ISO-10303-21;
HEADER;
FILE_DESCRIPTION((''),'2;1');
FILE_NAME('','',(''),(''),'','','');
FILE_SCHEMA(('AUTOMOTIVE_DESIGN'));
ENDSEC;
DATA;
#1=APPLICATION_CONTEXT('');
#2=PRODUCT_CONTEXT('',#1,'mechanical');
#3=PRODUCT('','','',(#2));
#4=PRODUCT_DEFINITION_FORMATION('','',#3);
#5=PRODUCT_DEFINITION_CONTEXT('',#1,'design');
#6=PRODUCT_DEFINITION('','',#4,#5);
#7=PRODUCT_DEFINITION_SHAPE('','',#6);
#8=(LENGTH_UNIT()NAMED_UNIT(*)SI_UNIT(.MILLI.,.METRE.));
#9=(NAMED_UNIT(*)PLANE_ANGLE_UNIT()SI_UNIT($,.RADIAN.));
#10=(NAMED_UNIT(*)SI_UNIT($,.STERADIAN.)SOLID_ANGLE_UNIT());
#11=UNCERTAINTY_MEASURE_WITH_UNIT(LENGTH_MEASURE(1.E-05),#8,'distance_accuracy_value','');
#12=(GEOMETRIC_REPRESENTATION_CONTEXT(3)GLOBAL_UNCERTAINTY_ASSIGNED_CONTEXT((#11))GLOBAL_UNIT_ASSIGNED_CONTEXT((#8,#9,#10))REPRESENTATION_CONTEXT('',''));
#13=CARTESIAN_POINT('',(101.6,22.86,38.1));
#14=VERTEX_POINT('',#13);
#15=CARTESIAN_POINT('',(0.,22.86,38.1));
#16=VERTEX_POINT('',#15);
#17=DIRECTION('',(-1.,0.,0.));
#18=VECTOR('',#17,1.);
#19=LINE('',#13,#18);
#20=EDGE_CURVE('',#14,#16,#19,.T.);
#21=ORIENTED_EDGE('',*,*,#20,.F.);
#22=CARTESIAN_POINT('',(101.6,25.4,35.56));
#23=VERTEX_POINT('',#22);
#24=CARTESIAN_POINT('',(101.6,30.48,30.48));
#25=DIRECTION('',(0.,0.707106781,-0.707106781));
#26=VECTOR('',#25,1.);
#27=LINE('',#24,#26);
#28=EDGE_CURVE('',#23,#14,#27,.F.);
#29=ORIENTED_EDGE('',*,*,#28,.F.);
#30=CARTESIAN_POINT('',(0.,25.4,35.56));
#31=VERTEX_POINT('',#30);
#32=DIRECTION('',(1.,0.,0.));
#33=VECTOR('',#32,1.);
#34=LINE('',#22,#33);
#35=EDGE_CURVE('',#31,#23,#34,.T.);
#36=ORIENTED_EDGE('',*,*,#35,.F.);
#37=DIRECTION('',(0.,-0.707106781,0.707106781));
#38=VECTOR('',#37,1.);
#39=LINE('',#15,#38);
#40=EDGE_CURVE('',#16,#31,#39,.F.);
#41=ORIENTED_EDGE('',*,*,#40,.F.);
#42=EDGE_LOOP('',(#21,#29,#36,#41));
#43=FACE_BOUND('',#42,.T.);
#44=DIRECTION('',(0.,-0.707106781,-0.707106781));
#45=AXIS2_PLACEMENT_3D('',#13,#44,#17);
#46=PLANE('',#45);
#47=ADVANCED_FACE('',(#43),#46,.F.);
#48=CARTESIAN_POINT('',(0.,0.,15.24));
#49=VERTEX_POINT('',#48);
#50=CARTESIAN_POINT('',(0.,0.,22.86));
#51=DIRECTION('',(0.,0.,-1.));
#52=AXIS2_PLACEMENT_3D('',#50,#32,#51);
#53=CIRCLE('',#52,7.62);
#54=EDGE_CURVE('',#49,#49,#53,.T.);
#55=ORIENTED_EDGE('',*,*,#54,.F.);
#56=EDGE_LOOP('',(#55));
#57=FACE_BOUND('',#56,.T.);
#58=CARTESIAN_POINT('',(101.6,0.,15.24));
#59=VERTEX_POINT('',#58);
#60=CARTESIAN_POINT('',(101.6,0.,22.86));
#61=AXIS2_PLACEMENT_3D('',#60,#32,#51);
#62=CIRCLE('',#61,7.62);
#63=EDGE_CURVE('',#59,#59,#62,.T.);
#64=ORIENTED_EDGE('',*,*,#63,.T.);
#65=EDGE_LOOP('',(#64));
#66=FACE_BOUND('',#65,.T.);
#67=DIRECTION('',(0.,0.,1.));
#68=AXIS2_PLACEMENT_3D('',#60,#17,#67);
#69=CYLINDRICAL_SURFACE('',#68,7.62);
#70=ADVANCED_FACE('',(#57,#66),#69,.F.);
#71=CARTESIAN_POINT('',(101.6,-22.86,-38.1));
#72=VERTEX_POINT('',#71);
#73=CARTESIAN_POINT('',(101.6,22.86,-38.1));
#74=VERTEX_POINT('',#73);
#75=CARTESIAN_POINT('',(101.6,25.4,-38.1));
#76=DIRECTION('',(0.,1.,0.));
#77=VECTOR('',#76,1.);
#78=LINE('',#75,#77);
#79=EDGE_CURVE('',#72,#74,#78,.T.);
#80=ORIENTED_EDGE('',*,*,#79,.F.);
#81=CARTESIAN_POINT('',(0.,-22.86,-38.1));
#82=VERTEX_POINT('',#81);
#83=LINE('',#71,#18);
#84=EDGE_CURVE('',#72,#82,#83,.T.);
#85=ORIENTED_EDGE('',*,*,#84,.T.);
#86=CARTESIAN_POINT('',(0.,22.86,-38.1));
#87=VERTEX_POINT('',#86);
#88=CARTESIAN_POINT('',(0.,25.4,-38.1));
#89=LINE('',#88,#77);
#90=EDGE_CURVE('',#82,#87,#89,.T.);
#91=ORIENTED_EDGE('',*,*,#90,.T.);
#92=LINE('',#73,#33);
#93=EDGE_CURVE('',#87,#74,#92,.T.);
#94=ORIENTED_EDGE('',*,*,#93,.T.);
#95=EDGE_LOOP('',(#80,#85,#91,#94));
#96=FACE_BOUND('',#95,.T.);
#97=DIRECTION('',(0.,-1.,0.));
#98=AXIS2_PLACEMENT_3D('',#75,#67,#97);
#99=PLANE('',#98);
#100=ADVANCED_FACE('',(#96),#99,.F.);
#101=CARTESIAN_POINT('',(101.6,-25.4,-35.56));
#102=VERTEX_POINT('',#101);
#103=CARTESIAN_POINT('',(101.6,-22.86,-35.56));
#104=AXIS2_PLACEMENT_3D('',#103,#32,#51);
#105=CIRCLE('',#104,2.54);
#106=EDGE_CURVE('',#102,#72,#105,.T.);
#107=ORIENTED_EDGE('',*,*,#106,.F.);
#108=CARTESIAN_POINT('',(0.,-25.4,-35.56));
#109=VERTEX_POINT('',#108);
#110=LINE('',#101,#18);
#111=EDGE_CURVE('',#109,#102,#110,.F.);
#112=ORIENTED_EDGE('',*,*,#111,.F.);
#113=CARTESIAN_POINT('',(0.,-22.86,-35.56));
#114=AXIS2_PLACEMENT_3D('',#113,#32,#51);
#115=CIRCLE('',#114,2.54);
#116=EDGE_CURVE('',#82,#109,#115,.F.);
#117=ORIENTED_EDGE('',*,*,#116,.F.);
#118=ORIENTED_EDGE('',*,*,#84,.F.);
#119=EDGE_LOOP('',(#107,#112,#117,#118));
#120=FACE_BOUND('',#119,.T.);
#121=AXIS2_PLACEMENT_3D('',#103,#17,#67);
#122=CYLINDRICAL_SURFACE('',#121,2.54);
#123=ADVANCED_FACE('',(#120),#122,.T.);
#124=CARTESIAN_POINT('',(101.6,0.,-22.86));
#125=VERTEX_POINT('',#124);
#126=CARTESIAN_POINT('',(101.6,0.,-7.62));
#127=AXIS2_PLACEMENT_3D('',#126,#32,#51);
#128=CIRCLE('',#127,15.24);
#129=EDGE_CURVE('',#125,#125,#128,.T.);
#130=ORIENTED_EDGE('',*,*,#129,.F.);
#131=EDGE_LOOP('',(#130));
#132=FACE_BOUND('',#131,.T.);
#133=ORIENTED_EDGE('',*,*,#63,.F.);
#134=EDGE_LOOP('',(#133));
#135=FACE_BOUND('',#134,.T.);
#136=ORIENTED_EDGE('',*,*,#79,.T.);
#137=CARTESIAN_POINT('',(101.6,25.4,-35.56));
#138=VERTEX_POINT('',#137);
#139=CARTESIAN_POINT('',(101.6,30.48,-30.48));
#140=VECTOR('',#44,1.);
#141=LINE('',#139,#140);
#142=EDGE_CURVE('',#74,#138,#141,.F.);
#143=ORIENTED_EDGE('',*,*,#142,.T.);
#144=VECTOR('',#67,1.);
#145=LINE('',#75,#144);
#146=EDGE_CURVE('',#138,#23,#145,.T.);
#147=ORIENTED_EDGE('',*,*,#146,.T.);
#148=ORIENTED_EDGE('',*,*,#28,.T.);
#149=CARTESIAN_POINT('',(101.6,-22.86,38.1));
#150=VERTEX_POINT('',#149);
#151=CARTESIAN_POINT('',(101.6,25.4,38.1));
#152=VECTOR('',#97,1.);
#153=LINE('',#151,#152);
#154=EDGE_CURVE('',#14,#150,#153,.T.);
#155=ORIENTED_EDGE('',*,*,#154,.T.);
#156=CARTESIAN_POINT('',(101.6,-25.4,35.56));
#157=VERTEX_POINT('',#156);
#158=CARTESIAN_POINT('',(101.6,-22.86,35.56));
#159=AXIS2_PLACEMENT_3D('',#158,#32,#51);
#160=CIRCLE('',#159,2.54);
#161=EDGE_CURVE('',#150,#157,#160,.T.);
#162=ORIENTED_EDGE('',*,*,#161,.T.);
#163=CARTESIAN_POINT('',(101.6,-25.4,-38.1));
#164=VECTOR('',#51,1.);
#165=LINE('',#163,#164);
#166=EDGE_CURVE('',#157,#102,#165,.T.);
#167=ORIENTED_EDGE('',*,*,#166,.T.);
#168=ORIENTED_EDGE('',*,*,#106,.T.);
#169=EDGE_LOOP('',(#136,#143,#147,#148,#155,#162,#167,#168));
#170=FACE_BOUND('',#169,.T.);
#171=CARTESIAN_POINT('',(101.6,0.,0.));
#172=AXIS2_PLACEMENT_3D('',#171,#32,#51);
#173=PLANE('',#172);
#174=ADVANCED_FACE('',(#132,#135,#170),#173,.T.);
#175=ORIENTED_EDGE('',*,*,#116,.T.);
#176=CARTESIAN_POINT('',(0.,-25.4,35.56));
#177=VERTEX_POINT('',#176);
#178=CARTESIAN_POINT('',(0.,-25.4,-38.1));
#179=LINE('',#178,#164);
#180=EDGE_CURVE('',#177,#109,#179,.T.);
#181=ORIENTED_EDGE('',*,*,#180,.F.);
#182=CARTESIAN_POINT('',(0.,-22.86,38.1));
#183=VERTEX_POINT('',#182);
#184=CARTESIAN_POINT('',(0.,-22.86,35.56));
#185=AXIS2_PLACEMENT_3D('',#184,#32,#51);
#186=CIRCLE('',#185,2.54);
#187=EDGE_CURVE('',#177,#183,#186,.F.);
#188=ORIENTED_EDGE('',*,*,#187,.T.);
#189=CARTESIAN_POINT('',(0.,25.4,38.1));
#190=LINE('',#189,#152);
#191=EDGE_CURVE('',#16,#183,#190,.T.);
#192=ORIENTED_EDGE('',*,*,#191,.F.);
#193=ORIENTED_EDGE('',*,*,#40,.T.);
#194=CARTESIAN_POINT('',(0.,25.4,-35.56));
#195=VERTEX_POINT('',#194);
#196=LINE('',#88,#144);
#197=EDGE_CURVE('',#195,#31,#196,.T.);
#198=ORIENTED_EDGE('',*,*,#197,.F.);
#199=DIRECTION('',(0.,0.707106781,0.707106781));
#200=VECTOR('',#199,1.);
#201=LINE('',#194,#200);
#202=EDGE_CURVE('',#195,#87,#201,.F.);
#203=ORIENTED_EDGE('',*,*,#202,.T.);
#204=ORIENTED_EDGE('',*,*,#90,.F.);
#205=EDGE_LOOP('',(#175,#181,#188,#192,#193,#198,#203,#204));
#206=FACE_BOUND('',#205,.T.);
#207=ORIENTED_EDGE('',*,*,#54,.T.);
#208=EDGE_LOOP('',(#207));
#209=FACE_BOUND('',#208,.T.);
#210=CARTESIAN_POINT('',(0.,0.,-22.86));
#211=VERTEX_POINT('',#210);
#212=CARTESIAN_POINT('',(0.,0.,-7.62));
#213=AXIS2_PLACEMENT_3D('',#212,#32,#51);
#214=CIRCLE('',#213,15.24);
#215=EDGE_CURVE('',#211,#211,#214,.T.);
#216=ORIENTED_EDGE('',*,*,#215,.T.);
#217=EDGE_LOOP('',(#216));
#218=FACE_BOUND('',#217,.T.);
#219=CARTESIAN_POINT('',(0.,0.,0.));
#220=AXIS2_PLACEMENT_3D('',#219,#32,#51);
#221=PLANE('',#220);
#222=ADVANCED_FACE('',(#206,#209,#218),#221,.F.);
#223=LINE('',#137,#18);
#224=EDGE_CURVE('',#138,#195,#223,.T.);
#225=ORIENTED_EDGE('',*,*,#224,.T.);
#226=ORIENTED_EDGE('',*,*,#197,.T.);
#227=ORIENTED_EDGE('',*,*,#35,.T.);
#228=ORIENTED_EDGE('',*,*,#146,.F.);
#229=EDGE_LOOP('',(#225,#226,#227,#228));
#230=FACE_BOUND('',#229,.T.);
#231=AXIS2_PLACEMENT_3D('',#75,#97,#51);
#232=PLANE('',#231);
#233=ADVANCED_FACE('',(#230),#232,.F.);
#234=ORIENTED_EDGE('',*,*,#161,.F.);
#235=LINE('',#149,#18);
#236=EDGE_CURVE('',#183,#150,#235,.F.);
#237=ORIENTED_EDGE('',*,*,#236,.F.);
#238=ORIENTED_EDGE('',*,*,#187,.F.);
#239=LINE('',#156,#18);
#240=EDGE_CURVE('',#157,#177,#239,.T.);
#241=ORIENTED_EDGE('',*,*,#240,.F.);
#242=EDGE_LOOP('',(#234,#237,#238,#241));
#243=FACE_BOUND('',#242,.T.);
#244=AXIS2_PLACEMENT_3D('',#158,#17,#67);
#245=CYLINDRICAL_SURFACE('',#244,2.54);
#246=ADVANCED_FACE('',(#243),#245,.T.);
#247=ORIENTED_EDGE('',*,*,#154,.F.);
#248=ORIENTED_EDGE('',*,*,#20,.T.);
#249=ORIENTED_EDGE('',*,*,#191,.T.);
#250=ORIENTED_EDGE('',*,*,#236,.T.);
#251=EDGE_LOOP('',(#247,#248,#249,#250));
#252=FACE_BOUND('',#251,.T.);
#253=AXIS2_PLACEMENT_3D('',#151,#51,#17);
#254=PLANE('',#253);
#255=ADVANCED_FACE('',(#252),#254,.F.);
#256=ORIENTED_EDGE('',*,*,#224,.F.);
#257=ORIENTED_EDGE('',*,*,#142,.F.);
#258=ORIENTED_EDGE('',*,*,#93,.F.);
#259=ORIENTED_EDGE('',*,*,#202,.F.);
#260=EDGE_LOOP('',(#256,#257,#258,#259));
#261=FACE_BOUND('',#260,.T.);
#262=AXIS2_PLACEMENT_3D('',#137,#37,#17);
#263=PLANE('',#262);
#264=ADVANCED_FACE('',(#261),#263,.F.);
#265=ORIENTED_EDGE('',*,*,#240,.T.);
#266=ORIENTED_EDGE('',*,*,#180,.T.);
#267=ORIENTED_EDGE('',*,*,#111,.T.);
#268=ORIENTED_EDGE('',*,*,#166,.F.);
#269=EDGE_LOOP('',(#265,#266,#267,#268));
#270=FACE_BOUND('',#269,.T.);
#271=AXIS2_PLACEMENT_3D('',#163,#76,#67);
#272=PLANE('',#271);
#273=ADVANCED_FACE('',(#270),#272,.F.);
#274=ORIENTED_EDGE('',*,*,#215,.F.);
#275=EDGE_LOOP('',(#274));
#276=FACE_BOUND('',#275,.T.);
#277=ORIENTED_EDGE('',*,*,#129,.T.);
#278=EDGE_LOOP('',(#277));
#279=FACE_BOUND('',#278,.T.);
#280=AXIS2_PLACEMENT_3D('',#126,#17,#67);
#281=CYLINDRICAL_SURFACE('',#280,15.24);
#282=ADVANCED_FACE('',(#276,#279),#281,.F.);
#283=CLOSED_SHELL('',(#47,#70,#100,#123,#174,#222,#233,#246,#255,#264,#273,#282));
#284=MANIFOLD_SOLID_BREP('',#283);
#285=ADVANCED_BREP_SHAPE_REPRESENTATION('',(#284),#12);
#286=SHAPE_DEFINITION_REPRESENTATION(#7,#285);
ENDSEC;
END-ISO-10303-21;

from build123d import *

# Parameters (mm, degrees)
SKETCH1_W           = 50.8
SKETCH1_H           = 76.2
SKETCH1_R           = 15.24
SKETCH1_R_2         = 7.62
BOSS_EXTRUDE1_DEPTH = 101.6
FILLET1_R           = 2.54
CHAMFER1_SIZE       = 2.54


with BuildPart() as part:
    # Sketch1 → Boss-Extrude1 (new body)
    with BuildSketch(Plane.YZ):
        Rectangle(SKETCH1_W, SKETCH1_H)
        with Locations(Location((0, -7.62, 0), (0, 0, 270))):
            Circle(SKETCH1_R, mode=Mode.SUBTRACT)
        with Locations(Location((0, 22.86, 0), (0, 0, 270))):
            Circle(SKETCH1_R_2, mode=Mode.SUBTRACT)
    extrude(amount=BOSS_EXTRUDE1_DEPTH)

    # Fillet1
    fillet1_edges = [part.edges().sort_by_distance(p)[0] for p in [
        (50.8, -25.4, 38.1),
        (50.8, -25.4, -38.1),
    ]]
    fillet(fillet1_edges, radius=FILLET1_R)

    # Chamfer1
    chamfer1_edges = [part.edges().sort_by_distance(p)[0] for p in [
        (50.8, 25.4, 38.1),
        (50.8, 25.4, -38.1),
    ]]
    chamfer(chamfer1_edges, length=CHAMFER1_SIZE)


solid = part.part
